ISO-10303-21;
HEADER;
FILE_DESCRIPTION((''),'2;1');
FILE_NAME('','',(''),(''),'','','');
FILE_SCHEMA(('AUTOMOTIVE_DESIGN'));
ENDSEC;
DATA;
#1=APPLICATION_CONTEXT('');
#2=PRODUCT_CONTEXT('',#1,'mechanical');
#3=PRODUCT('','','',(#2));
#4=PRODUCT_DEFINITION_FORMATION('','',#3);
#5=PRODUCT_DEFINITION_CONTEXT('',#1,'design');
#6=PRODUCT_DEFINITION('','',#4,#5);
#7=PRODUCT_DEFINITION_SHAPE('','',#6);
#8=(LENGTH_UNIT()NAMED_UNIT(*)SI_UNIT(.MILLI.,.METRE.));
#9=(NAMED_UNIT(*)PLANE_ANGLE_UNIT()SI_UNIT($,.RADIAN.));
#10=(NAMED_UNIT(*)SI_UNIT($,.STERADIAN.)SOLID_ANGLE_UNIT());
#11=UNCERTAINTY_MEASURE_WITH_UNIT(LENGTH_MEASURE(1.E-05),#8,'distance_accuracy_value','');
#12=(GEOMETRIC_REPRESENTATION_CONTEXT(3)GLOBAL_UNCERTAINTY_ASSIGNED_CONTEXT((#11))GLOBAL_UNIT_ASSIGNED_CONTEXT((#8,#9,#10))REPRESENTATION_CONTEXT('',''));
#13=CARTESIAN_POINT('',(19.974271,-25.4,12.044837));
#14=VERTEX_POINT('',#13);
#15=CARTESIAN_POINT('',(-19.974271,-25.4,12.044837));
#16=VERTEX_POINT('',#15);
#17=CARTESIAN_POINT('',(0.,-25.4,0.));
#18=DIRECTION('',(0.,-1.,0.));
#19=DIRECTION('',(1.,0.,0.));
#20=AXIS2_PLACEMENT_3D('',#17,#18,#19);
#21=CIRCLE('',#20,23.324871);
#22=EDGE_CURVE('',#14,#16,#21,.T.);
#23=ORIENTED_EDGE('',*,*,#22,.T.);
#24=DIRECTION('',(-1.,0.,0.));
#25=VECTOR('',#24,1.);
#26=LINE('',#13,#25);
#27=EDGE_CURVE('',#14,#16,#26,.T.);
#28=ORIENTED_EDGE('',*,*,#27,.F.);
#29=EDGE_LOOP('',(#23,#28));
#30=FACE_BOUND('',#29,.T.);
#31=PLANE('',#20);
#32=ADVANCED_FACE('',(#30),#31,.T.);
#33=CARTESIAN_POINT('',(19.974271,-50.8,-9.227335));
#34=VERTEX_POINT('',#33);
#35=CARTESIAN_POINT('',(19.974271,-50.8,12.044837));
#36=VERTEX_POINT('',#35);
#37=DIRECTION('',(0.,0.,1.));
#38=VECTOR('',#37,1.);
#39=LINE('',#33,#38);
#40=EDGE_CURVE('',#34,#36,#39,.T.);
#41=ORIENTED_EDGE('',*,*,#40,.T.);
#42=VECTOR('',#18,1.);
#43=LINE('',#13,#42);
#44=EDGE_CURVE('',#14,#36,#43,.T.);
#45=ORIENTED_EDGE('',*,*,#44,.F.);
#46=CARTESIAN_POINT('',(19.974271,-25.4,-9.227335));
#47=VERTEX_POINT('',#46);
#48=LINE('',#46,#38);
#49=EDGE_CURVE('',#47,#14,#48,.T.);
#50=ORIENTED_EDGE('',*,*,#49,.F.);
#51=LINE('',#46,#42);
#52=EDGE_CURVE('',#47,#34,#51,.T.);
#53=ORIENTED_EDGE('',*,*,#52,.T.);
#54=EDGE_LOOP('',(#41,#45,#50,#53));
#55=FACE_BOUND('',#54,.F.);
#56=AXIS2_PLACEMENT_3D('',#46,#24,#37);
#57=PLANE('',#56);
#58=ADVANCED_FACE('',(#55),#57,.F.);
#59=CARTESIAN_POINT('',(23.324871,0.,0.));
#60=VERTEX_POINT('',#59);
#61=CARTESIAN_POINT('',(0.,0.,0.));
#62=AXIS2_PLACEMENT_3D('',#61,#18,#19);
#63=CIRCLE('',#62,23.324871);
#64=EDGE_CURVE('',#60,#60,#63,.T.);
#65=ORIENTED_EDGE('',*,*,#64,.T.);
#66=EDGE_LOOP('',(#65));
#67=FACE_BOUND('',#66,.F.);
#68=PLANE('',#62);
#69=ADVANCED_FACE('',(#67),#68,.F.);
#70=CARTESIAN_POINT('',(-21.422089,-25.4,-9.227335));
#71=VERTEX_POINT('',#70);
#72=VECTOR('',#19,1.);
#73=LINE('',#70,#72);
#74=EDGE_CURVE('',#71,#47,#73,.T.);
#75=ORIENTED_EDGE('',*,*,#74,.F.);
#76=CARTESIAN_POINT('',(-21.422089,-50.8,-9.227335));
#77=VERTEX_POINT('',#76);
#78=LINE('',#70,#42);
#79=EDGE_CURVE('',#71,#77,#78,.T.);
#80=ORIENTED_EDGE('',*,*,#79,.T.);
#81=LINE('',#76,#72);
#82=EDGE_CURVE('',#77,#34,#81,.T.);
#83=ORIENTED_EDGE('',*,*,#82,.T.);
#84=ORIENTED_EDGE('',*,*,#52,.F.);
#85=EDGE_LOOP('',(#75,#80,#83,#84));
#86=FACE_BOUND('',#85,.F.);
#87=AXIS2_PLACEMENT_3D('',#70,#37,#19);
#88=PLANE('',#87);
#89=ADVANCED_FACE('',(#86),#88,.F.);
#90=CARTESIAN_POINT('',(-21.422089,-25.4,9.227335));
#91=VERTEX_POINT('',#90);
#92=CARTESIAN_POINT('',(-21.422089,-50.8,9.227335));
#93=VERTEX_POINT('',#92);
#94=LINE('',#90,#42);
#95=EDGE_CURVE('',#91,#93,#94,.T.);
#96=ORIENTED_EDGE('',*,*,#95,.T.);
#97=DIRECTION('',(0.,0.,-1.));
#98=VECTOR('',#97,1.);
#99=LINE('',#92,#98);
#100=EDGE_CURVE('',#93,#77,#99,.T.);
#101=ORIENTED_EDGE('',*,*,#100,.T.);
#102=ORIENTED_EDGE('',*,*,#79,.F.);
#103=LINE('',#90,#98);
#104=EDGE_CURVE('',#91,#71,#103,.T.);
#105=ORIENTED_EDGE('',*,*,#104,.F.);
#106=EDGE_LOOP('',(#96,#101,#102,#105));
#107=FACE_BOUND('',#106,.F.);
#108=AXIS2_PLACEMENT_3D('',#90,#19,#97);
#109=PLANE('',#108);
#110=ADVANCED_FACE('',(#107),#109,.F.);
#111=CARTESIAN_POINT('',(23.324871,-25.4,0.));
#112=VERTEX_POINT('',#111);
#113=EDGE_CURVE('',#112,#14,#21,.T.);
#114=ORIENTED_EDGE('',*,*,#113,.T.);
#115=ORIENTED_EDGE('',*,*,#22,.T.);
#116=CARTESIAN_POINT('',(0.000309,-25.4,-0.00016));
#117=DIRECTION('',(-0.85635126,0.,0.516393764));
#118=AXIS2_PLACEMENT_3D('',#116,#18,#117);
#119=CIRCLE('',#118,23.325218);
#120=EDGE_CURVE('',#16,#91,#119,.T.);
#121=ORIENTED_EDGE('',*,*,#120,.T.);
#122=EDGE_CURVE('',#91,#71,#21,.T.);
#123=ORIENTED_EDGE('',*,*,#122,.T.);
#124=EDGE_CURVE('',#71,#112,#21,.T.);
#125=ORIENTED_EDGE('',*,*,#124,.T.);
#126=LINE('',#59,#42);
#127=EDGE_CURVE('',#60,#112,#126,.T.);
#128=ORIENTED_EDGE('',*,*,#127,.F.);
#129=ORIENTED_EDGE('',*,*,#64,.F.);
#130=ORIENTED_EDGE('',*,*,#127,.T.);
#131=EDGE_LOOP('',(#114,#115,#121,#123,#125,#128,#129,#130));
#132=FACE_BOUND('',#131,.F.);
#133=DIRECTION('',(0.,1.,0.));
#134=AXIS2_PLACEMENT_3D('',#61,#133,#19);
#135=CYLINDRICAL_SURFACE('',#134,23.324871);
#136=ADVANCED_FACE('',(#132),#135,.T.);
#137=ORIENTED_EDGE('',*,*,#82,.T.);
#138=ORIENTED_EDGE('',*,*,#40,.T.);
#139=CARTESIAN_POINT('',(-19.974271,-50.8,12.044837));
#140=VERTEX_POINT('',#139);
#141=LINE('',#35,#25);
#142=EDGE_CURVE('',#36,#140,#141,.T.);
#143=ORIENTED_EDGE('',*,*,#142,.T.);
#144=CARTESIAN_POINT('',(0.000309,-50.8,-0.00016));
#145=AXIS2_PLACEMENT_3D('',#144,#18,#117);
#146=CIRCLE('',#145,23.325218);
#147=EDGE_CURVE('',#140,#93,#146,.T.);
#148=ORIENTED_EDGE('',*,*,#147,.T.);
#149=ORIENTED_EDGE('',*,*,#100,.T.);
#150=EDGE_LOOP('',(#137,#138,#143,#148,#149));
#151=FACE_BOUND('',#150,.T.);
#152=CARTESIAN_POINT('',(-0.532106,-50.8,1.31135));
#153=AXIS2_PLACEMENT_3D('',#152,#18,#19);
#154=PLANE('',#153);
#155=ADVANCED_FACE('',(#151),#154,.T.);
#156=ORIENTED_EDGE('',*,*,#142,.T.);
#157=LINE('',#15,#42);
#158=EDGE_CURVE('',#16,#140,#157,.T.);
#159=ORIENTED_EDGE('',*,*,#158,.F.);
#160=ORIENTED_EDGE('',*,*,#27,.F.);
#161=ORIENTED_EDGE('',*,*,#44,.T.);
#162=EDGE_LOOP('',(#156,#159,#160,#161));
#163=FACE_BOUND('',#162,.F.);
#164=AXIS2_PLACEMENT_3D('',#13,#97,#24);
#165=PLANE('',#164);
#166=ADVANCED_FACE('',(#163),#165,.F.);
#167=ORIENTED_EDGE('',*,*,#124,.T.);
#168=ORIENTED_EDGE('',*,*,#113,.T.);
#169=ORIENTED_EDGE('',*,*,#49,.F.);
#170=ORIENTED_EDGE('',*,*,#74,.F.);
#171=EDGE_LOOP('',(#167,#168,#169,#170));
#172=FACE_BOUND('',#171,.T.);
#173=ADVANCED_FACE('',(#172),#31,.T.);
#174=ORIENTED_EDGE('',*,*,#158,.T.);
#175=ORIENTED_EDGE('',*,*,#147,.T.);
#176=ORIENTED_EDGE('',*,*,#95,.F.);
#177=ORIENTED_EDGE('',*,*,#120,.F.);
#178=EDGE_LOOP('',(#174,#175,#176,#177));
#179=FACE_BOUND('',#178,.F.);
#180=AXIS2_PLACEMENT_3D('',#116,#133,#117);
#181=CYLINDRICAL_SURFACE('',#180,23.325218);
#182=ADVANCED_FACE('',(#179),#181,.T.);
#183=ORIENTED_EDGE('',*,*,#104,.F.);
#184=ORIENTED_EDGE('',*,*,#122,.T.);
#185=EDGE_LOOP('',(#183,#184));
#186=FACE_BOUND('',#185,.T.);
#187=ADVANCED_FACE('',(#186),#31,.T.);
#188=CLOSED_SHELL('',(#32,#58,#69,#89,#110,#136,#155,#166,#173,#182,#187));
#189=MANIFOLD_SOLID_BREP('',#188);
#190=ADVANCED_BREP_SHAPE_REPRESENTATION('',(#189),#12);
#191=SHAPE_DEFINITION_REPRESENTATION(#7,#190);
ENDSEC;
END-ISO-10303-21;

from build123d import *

# Parameters (mm, degrees)
F0_R     = 23.324871
F1_DEPTH = 25.4
F3_DEPTH = 25.4


with BuildPart() as f1:
    # F0 (on Front) → F1 (new body)
    with BuildSketch(Plane.XZ):
        Circle(F0_R)
    extrude(amount=F1_DEPTH)

    # F2 (on face) → F3 (join)
    with BuildSketch(Plane.XZ.offset(25.4)):
        with BuildLine():
            Line((-21.422089, 9.227335), (-21.422089, -9.227335))
            Line((-21.422089, -9.227335), (19.974271, -9.227335))
            Line((19.974271, -9.227335), (19.974271, 12.044837))
            Line((19.974271, 12.044837), (-19.974271, 12.044837))
            ThreePointArc((-19.974271, 12.044837), (-20.746065, 10.660692), (-21.422089, 9.227335))
        make_face()
    extrude(amount=F3_DEPTH)


solid = f1.part
